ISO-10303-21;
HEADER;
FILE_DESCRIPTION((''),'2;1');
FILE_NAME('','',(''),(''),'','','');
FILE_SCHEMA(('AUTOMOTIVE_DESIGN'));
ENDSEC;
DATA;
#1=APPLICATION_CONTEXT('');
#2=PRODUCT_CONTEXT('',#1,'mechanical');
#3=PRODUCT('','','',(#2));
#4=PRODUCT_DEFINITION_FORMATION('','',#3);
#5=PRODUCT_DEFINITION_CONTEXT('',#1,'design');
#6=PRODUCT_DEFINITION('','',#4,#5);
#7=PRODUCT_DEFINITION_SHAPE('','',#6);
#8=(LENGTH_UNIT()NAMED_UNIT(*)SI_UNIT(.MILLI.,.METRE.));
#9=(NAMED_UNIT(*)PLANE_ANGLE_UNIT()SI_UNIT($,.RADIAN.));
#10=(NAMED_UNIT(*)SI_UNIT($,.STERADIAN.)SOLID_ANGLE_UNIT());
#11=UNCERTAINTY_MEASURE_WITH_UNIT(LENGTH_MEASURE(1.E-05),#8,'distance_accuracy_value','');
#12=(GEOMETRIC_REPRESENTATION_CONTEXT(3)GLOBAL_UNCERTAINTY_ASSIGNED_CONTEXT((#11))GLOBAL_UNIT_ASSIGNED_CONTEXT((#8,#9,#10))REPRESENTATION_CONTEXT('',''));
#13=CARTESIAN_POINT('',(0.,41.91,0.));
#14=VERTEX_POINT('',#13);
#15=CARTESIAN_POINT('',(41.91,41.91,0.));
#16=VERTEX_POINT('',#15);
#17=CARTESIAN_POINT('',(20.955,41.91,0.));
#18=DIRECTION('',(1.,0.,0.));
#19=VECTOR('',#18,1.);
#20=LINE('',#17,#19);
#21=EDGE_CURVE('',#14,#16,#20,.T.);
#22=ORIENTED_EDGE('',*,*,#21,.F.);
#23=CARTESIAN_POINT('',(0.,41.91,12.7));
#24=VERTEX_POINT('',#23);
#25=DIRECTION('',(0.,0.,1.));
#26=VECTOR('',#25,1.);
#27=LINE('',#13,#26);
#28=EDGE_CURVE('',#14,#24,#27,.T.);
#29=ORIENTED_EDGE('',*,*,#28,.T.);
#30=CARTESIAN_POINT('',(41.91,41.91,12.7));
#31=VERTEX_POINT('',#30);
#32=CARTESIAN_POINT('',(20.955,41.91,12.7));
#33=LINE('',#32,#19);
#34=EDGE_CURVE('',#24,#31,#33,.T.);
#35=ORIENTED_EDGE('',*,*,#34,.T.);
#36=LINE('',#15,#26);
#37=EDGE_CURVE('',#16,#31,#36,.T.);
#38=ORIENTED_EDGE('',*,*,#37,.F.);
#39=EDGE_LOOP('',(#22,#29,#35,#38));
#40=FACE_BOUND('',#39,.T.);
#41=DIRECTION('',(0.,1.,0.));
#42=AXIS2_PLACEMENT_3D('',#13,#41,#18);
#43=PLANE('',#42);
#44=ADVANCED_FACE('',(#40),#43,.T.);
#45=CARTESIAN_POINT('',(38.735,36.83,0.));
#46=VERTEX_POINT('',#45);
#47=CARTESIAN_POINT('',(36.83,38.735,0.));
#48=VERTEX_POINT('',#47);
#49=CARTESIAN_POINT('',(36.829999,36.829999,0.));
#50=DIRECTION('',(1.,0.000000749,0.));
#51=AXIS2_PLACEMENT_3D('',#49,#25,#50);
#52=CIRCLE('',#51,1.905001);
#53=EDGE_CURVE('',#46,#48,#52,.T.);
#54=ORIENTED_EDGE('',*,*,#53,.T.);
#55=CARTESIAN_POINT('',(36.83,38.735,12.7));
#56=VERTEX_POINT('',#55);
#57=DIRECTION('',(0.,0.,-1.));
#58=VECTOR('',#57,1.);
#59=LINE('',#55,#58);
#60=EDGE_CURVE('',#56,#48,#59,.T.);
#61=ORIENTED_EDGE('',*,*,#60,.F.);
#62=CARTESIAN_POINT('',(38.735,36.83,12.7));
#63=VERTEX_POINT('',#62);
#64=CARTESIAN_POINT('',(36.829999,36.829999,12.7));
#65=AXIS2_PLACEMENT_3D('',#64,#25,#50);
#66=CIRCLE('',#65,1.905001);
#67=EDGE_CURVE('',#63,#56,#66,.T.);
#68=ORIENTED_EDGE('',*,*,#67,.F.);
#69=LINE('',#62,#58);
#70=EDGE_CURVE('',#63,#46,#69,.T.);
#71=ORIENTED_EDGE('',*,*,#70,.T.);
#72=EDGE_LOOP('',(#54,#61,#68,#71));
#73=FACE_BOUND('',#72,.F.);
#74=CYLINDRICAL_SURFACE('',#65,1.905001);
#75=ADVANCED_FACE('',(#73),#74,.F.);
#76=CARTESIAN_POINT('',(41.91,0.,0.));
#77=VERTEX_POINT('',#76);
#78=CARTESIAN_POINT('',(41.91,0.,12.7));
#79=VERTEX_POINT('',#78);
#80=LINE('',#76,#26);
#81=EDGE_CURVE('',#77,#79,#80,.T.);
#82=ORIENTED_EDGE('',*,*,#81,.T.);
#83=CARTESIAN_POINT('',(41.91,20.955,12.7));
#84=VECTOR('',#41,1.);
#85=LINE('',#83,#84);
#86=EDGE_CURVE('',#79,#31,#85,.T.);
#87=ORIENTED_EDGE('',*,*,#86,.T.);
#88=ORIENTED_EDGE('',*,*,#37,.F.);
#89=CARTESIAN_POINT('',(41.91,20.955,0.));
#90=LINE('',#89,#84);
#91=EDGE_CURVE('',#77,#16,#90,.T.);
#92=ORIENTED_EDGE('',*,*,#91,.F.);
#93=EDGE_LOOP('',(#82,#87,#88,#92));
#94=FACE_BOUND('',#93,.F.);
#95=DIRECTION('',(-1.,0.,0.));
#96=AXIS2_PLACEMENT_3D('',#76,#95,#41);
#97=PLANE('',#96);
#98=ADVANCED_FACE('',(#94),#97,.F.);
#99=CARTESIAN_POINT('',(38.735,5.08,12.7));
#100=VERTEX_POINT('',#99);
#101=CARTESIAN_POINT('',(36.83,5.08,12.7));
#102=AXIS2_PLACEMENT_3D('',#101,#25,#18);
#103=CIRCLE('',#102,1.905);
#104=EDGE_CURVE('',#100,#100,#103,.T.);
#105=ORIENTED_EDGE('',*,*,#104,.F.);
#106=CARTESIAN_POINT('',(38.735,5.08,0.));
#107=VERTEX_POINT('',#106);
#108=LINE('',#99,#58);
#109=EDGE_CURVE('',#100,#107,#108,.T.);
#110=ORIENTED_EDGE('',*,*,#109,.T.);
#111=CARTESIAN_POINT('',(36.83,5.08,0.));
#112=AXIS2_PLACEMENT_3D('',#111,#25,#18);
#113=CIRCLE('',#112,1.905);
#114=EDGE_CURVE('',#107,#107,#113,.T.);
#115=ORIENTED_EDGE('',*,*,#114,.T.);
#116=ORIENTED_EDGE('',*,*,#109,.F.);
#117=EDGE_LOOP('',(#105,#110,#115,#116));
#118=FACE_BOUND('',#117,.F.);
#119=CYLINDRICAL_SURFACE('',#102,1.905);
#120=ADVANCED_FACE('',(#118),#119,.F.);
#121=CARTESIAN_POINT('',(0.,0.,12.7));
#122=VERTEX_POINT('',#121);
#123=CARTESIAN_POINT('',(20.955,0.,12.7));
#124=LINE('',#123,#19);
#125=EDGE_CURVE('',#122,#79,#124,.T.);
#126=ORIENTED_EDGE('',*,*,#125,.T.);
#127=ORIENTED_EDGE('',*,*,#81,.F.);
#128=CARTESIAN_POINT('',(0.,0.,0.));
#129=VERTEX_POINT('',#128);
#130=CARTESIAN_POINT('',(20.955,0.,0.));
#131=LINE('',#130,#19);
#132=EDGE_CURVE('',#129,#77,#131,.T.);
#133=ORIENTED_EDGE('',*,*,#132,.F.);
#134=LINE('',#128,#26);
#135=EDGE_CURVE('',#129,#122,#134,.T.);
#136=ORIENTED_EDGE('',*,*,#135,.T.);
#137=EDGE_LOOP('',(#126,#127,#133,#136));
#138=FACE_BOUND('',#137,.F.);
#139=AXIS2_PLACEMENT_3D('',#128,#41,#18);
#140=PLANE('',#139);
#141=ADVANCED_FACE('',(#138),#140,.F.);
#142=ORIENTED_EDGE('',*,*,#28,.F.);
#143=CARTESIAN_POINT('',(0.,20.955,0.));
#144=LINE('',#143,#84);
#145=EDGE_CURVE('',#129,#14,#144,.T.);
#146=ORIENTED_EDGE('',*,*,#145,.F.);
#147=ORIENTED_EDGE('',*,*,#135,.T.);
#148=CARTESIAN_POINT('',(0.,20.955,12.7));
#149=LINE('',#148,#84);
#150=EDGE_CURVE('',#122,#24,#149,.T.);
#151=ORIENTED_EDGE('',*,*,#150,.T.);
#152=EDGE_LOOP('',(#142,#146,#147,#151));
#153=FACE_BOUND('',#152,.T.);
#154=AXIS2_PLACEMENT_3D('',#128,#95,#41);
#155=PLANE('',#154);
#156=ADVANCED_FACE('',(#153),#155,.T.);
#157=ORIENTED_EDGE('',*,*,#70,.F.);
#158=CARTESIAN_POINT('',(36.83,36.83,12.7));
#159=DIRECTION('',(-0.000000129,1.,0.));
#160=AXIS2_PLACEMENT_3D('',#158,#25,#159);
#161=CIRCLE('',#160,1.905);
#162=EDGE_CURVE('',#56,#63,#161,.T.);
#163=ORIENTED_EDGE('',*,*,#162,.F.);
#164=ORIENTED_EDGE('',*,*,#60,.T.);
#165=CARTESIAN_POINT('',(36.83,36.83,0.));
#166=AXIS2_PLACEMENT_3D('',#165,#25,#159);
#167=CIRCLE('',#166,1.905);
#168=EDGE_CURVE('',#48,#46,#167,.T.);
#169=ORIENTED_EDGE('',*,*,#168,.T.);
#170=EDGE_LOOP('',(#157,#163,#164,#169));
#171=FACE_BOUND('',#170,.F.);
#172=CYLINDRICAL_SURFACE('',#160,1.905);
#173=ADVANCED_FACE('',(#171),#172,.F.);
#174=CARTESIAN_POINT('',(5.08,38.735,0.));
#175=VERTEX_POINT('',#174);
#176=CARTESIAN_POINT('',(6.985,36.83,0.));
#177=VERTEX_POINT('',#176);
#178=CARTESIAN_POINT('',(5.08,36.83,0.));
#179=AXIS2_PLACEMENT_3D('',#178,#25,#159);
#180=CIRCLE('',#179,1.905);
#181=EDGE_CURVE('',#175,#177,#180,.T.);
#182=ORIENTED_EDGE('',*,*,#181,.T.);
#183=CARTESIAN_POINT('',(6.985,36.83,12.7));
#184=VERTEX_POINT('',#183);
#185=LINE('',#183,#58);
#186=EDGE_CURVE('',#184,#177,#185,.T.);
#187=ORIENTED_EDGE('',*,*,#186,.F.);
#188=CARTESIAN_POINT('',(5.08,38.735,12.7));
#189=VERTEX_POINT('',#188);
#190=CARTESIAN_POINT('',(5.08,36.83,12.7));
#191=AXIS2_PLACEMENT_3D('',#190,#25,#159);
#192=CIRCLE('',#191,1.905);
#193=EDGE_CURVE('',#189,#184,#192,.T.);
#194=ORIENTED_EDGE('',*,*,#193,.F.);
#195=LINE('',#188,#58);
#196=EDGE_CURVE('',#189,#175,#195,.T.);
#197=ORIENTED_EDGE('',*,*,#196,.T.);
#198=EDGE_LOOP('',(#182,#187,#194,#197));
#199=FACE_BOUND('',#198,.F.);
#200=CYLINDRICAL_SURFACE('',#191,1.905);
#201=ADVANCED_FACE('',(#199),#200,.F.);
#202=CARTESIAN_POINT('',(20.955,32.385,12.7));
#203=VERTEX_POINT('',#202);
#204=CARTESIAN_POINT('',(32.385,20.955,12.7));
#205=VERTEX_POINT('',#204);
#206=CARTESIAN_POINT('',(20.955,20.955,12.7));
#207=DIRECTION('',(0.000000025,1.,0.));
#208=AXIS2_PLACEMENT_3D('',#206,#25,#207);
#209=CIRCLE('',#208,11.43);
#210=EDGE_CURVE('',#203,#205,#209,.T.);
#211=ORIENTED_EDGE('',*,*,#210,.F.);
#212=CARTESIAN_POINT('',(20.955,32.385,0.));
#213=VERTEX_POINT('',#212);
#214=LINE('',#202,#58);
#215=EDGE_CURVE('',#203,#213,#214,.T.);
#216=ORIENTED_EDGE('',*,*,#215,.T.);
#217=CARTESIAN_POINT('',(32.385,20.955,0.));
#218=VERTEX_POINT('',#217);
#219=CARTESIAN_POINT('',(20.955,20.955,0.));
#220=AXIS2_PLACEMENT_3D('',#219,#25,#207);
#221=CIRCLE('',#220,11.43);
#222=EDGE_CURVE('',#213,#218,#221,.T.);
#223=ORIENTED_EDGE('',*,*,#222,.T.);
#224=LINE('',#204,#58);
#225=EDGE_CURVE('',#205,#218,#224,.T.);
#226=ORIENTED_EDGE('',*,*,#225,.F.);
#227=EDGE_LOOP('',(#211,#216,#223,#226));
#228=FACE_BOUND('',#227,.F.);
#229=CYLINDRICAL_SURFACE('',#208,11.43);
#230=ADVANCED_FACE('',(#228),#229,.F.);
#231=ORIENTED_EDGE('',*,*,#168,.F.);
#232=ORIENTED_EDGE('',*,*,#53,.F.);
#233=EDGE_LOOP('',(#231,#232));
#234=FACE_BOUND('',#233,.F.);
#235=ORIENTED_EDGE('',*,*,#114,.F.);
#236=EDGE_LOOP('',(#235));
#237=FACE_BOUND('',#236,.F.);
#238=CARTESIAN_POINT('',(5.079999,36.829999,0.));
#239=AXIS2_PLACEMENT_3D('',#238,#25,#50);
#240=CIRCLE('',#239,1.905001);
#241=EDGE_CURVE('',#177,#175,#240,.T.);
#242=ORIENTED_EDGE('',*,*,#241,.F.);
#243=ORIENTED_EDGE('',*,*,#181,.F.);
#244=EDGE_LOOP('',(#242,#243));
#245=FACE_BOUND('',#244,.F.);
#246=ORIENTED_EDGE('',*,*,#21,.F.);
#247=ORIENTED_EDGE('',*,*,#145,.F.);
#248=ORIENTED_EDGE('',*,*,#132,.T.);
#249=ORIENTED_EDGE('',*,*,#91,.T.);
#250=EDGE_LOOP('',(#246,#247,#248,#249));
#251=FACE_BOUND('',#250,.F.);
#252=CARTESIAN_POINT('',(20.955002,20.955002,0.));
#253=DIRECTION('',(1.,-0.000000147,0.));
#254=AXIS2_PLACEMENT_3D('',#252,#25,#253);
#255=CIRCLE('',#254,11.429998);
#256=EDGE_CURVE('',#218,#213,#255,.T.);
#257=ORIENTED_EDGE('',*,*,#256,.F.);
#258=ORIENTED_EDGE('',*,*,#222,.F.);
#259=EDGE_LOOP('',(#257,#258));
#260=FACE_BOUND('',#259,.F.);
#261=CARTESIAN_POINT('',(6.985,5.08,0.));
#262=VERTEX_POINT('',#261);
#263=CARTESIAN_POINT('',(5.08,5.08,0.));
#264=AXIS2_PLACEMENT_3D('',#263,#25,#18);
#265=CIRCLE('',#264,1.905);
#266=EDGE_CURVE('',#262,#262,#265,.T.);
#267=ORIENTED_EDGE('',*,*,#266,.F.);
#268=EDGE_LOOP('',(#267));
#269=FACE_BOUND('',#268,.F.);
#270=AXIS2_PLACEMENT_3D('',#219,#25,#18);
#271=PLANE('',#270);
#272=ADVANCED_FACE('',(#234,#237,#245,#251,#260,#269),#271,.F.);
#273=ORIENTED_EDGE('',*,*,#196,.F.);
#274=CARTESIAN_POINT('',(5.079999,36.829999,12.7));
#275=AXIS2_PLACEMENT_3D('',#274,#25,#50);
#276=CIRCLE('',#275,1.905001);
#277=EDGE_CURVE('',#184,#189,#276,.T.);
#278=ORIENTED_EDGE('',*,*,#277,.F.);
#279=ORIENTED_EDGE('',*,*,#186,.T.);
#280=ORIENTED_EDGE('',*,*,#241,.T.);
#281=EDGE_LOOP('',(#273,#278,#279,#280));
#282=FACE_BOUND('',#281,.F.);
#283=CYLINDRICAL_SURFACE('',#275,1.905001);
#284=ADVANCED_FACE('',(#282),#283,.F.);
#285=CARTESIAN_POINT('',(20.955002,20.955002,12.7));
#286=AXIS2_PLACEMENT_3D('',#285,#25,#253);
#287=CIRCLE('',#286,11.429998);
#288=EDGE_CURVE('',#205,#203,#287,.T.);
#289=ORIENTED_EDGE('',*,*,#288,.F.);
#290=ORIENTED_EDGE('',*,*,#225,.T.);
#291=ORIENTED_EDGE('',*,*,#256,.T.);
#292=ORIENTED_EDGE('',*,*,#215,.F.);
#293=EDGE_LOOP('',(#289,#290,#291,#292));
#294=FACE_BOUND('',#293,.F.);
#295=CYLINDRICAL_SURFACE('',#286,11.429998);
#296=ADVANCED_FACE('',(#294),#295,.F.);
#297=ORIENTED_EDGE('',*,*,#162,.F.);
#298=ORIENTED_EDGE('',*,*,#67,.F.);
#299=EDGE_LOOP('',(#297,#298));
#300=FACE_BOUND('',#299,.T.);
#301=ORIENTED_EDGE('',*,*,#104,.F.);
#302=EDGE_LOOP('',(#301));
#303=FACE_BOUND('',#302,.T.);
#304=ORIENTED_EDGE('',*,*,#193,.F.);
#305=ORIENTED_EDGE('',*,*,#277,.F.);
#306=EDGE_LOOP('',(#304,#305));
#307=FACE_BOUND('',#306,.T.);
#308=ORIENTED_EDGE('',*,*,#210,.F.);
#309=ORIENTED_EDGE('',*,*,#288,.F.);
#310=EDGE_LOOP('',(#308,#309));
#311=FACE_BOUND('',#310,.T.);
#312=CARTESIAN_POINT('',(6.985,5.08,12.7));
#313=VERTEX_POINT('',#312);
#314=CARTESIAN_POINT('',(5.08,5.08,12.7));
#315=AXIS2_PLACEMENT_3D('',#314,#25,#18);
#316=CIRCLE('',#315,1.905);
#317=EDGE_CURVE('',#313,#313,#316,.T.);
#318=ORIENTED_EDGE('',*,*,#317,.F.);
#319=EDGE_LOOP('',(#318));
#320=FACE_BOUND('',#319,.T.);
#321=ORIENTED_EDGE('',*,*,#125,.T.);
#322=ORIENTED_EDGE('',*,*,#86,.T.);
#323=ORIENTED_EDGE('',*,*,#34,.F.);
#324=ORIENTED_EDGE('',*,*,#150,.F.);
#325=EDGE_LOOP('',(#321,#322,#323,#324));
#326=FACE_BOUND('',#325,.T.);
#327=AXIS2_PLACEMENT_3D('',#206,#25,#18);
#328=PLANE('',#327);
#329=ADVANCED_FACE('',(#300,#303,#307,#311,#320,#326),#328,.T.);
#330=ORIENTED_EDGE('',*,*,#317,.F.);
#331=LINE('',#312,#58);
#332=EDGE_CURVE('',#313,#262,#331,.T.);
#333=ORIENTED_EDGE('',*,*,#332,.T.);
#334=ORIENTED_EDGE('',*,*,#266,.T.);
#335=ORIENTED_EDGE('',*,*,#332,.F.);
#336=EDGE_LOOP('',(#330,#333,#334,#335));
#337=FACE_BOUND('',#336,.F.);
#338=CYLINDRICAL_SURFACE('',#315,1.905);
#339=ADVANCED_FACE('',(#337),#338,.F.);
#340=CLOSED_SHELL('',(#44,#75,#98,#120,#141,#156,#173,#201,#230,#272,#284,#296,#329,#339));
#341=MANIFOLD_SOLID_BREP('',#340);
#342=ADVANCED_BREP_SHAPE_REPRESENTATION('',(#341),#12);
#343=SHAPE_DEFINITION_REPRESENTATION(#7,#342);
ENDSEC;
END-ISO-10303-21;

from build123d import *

# Parameters (mm, degrees)
F0_W     = 41.91
F0_H     = 41.91
F1_DEPTH = 12.7
F2_R     = 1.905
F3_DEPTH = 25.4
F5_DEPTH = 12.701


with BuildPart() as f1:
    # F0 (on Top) → F1 (new body)
    with BuildSketch(Plane.XY):
        with Locations((20.955, 20.955)):
            Rectangle(F0_W, F0_H)
    extrude(amount=F1_DEPTH)

    # F2 (on face) → F3 (cut)
    with BuildSketch(Plane.XY.offset(12.7)):
        with BuildLine():
            ThreePointArc((38.735, 36.83), (38.177038, 38.177038), (36.83, 38.735))
            ThreePointArc((36.83, 38.735), (35.482962, 35.482962), (38.735, 36.83))
        make_face()
        with Locations((5.08, 5.08)):
            Circle(F2_R)
        with BuildLine():
            ThreePointArc((6.985, 36.83), (6.427038, 38.177038), (5.08, 38.735))
            ThreePointArc((5.08, 38.735), (3.732962, 35.482962), (6.985, 36.83))
        make_face()
        with Locations((36.83, 5.08)):
            Circle(F2_R)
    extrude(amount=-F3_DEPTH, mode=Mode.SUBTRACT)

    # F4 (on face) → F5 (cut, through all)
    with BuildSketch(Plane.XY.offset(12.7)):
        with BuildLine():
            ThreePointArc((20.955, 32.385), (12.872769, 12.872769), (32.385, 20.955))
            ThreePointArc((32.385, 20.955), (29.037231, 29.037231), (20.955, 32.385))
        make_face()
    extrude(amount=-F5_DEPTH, mode=Mode.SUBTRACT)


solid = f1.part
